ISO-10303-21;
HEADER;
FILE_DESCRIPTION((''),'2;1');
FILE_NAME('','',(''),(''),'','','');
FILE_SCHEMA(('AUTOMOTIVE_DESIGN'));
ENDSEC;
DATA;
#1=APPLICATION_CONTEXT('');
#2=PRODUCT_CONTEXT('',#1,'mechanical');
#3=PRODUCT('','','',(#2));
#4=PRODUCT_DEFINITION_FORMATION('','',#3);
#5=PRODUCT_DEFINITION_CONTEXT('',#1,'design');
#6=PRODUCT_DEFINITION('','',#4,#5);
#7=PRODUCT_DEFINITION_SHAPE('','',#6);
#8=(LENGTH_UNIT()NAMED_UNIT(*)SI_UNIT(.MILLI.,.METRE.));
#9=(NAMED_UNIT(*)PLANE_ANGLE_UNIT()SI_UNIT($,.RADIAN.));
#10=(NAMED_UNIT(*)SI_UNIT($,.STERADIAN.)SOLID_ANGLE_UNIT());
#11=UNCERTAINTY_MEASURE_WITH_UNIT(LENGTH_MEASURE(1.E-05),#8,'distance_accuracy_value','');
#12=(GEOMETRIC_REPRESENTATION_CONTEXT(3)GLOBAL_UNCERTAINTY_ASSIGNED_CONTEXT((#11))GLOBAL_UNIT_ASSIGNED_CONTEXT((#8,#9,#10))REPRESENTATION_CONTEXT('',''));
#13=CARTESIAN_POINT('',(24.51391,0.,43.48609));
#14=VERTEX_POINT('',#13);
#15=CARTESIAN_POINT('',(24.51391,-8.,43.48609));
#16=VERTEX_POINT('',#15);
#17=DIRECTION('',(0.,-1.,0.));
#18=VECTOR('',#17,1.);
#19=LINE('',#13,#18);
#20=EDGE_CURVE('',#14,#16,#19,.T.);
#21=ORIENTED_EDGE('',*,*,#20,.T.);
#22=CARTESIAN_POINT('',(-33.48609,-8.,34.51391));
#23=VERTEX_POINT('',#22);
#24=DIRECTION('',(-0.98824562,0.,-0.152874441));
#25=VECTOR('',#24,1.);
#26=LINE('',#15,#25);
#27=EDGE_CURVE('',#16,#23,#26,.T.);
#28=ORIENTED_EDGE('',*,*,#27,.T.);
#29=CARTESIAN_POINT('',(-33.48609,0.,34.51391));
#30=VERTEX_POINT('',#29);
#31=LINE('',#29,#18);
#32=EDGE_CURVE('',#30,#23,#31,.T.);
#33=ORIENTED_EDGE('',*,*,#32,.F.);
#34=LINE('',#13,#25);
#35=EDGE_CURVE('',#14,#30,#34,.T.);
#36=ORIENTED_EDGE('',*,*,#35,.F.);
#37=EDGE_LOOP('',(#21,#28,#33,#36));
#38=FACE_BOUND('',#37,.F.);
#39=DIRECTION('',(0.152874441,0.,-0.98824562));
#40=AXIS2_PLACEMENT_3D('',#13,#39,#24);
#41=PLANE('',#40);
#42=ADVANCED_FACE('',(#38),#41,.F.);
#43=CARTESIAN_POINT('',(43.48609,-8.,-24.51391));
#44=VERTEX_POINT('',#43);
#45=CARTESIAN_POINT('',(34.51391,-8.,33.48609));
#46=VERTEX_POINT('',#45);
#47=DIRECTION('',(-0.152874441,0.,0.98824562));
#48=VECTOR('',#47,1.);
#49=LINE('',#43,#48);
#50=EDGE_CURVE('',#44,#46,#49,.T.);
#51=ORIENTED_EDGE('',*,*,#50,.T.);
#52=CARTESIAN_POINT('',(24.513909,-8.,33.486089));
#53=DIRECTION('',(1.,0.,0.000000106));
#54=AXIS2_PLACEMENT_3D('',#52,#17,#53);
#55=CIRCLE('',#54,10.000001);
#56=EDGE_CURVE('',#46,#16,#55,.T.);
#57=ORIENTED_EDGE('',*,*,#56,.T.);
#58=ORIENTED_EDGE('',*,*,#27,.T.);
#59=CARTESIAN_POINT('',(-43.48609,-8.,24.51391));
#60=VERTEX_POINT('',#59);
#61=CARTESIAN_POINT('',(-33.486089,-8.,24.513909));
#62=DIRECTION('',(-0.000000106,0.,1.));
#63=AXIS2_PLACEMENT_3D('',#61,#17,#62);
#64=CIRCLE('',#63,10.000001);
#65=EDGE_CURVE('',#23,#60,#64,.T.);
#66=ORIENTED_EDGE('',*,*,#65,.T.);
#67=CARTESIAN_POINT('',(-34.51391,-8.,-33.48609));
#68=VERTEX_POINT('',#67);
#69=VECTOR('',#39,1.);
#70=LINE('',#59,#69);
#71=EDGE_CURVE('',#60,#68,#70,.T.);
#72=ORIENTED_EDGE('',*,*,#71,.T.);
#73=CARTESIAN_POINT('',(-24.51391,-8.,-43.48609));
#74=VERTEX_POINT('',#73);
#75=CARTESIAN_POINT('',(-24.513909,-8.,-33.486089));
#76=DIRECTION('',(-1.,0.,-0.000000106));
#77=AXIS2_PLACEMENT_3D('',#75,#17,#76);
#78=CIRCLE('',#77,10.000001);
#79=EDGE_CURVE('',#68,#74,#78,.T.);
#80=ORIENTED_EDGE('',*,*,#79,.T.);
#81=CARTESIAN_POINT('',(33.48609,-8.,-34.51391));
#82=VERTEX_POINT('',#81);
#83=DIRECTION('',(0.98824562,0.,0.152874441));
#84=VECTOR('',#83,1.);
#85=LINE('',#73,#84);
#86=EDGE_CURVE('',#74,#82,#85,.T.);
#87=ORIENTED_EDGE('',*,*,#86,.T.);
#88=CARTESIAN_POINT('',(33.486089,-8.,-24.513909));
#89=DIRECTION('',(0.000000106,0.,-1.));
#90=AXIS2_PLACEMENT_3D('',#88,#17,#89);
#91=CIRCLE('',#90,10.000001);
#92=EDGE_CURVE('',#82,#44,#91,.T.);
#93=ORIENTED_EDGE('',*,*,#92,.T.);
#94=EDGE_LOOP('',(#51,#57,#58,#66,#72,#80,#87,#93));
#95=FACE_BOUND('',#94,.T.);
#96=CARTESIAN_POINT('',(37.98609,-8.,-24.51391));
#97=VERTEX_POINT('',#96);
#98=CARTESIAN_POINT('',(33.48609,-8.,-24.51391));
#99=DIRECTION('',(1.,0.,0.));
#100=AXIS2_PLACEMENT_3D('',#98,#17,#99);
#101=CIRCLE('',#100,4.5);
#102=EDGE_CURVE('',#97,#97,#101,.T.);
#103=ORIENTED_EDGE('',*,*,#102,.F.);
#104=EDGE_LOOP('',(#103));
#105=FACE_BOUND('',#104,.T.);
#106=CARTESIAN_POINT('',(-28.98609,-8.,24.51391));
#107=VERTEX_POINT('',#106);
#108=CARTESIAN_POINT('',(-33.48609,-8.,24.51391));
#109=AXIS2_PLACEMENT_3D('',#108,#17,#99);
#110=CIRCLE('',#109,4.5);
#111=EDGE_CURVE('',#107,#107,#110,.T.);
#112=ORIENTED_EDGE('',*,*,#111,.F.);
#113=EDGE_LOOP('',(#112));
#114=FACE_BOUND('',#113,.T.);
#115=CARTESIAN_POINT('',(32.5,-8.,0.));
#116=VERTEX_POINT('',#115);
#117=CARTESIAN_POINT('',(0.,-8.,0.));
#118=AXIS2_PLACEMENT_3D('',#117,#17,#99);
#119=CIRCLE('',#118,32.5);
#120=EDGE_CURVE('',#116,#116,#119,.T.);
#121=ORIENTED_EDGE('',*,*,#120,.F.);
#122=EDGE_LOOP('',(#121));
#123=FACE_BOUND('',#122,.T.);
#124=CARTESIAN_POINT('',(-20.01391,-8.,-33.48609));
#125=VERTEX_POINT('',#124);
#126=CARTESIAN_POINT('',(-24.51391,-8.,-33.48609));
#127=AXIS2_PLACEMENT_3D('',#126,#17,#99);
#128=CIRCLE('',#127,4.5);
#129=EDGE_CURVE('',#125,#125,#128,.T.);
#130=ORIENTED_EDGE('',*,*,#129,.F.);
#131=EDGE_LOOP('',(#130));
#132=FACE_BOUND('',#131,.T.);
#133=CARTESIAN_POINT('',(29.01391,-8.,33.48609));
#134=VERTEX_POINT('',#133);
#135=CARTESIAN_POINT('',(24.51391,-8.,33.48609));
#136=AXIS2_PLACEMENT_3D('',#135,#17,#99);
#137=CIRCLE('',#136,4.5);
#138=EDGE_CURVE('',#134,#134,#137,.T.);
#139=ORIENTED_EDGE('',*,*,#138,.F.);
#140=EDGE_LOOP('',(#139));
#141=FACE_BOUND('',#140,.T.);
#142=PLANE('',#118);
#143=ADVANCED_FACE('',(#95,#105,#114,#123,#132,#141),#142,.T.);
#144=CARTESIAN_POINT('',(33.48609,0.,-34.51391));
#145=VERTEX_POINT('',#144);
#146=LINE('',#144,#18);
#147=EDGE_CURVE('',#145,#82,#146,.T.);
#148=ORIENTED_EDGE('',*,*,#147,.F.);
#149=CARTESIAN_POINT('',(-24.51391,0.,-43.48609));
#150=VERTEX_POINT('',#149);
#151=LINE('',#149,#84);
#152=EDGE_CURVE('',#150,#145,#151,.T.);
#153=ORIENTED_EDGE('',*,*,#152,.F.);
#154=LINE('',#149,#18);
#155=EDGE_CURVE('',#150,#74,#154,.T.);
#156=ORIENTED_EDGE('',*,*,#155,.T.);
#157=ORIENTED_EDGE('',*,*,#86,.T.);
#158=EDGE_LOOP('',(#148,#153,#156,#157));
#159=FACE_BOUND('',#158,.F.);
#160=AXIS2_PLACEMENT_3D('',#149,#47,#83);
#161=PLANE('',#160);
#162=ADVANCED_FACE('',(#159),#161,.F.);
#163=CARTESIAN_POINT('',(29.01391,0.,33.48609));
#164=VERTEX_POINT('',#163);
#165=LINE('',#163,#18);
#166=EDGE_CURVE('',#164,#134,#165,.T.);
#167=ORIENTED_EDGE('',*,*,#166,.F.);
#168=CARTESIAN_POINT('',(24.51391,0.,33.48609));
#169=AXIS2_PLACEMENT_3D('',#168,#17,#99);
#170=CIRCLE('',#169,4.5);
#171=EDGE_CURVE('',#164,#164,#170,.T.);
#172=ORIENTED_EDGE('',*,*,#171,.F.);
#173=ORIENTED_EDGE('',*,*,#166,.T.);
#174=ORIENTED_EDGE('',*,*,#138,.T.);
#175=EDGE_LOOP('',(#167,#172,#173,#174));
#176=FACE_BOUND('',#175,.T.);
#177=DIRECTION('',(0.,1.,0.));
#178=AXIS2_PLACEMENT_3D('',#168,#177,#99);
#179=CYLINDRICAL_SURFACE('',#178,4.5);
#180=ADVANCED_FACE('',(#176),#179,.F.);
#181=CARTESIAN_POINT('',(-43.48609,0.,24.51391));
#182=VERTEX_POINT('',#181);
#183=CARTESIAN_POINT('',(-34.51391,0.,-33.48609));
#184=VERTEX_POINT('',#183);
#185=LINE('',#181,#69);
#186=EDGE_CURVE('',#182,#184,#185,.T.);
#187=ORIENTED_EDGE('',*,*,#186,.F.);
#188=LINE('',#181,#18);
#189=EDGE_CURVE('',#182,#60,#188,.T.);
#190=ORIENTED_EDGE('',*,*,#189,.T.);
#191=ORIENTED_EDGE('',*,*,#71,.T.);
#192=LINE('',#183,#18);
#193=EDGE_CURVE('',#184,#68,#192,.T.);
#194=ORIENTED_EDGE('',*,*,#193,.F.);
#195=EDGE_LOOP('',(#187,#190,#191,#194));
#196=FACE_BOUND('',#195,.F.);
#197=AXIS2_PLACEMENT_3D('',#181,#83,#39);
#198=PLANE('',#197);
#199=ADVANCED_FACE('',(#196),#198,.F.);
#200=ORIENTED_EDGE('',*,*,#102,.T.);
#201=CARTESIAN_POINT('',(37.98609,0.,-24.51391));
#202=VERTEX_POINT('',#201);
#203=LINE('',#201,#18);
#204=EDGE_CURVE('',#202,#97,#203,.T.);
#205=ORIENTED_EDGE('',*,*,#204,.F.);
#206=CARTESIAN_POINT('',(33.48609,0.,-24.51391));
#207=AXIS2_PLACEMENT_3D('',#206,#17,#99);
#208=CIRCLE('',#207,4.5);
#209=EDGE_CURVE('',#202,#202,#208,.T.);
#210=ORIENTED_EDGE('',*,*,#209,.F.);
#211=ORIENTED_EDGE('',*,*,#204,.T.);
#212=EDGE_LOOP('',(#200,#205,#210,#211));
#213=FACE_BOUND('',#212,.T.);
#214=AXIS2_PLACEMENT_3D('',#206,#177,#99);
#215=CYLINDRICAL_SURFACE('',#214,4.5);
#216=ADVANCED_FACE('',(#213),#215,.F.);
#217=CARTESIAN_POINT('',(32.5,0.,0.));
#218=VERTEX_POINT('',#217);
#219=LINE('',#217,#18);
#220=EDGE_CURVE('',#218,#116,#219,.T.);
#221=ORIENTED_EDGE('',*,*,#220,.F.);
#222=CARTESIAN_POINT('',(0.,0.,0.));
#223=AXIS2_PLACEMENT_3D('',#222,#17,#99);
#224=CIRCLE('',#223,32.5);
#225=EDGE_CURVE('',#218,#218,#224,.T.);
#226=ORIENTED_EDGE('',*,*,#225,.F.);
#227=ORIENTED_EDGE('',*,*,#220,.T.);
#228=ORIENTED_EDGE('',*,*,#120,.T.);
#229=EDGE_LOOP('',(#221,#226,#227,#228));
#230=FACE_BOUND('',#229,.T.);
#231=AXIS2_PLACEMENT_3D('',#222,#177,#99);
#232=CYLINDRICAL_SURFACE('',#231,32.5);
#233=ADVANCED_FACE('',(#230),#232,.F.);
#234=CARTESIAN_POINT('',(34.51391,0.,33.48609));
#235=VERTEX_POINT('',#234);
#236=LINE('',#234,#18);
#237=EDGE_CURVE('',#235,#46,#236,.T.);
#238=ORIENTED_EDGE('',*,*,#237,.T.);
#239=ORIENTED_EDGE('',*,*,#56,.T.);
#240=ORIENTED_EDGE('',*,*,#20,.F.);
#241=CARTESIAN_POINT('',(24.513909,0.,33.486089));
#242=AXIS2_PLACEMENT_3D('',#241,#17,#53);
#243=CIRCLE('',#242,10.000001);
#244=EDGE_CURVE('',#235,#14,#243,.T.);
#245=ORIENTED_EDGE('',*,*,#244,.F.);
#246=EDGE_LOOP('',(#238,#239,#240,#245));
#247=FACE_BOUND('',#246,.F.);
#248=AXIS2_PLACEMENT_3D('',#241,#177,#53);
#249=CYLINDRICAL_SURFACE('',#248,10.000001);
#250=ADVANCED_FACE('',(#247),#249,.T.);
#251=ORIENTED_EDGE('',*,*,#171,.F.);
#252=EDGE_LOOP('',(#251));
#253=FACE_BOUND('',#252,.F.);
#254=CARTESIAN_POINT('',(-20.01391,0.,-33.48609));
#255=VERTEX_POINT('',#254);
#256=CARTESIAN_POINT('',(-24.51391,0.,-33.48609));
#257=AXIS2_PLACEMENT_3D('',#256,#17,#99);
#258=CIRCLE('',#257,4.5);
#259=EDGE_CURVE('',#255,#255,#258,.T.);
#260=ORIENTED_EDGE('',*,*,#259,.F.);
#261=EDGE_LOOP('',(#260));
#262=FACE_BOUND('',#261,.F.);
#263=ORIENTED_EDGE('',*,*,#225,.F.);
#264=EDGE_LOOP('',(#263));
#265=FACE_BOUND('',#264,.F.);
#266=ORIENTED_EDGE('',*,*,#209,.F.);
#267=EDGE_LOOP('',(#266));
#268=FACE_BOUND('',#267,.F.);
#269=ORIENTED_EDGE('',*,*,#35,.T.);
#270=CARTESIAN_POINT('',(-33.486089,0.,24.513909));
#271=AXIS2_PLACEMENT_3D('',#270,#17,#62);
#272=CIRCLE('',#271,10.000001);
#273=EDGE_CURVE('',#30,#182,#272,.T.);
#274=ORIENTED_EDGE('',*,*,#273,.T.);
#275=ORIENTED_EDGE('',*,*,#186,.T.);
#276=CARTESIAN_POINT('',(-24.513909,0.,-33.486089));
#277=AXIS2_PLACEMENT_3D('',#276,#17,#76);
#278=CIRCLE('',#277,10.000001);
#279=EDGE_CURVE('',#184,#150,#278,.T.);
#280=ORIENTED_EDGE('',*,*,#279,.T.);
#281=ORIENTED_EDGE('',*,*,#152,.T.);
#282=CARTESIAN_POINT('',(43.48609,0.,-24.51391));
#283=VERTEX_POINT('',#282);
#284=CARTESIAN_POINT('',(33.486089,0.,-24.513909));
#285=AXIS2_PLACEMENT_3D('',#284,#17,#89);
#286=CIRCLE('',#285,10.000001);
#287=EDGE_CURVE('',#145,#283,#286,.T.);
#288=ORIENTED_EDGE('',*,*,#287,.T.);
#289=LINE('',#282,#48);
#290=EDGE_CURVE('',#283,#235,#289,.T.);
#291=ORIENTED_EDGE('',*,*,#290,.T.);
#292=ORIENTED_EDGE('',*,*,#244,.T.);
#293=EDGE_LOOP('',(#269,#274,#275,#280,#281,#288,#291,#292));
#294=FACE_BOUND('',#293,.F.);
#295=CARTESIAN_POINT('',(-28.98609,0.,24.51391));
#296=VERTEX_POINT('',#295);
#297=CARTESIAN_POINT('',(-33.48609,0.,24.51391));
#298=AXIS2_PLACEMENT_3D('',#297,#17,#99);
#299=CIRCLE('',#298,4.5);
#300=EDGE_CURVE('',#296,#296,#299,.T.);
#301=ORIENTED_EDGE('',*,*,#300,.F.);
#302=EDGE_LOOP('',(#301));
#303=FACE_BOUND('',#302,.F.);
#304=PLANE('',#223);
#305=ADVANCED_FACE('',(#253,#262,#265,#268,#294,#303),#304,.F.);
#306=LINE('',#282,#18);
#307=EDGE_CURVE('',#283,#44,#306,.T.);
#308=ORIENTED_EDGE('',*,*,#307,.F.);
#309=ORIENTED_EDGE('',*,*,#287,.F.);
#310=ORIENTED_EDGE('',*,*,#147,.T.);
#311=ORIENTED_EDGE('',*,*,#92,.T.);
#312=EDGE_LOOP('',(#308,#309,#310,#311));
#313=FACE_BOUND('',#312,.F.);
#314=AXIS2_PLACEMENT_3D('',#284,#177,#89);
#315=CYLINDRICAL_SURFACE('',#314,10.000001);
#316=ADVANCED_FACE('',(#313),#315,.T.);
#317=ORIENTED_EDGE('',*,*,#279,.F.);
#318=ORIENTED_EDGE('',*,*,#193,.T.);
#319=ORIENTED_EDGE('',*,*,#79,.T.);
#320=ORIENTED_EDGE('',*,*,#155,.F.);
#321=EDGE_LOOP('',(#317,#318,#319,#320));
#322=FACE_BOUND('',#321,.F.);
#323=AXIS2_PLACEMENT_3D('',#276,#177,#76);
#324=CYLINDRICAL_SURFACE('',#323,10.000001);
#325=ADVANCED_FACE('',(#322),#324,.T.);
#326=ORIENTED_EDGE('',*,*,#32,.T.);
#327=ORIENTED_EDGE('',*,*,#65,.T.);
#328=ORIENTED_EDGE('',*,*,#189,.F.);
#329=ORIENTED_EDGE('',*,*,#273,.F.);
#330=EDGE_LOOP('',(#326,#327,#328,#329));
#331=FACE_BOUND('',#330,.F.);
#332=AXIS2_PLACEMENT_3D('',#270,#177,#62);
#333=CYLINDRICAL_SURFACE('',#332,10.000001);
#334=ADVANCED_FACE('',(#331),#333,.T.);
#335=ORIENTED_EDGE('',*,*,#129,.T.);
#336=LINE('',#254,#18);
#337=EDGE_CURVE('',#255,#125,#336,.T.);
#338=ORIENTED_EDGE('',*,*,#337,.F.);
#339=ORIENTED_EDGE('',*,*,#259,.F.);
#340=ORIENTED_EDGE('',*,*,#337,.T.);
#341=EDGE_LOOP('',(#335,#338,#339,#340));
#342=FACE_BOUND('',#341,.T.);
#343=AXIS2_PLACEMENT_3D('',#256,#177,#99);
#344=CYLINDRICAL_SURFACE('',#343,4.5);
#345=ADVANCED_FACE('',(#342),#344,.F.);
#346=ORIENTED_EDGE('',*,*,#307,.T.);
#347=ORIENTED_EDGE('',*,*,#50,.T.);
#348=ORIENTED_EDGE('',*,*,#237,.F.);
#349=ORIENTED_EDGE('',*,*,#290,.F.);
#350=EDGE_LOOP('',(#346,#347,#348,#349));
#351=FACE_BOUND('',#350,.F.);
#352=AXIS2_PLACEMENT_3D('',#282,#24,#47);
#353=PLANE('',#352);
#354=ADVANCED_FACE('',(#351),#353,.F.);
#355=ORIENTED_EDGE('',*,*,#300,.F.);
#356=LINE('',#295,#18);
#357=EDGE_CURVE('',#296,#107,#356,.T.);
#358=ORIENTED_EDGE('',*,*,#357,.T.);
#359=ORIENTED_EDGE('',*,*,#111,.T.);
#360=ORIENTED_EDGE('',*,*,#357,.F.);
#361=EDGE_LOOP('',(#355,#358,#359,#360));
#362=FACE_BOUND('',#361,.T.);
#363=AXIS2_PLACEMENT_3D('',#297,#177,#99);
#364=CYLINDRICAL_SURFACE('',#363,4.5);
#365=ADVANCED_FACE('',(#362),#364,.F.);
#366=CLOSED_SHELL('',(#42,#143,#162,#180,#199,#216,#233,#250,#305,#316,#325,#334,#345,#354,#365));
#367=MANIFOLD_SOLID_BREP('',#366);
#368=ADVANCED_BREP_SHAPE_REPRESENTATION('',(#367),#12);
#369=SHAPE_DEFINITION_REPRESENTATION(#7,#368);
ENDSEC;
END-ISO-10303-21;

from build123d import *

# Parameters (mm, degrees)
F0_R     = 4.5
F0_R_2   = 32.5
F1_DEPTH = 8


with BuildPart() as f1:
    # F0 (on Front) → F1 (new body)
    with BuildSketch(Plane.XZ):
        with BuildLine():
            Line((24.51391, 43.48609), (-33.48609, 34.51391))
            ThreePointArc((-33.48609, 34.51391), (-40.557157, 31.584978), (-43.48609, 24.51391))
            Line((-43.48609, 24.51391), (-34.51391, -33.48609))
            ThreePointArc((-34.51391, -33.48609), (-31.584978, -40.557157), (-24.51391, -43.48609))
            Line((-24.51391, -43.48609), (33.48609, -34.51391))
            ThreePointArc((33.48609, -34.51391), (40.557157, -31.584978), (43.48609, -24.51391))
            Line((43.48609, -24.51391), (34.51391, 33.48609))
            ThreePointArc((34.51391, 33.48609), (31.584978, 40.557157), (24.51391, 43.48609))
        make_face()
        with Locations((-24.51391, -33.48609)):
            Circle(F0_R, mode=Mode.SUBTRACT)
        with Locations((33.48609, -24.51391)):
            Circle(F0_R, mode=Mode.SUBTRACT)
        Circle(F0_R_2, mode=Mode.SUBTRACT)
        with Locations((-33.48609, 24.51391)):
            Circle(F0_R, mode=Mode.SUBTRACT)
        with Locations((24.51391, 33.48609)):
            Circle(F0_R, mode=Mode.SUBTRACT)
    extrude(amount=F1_DEPTH)


solid = f1.part
